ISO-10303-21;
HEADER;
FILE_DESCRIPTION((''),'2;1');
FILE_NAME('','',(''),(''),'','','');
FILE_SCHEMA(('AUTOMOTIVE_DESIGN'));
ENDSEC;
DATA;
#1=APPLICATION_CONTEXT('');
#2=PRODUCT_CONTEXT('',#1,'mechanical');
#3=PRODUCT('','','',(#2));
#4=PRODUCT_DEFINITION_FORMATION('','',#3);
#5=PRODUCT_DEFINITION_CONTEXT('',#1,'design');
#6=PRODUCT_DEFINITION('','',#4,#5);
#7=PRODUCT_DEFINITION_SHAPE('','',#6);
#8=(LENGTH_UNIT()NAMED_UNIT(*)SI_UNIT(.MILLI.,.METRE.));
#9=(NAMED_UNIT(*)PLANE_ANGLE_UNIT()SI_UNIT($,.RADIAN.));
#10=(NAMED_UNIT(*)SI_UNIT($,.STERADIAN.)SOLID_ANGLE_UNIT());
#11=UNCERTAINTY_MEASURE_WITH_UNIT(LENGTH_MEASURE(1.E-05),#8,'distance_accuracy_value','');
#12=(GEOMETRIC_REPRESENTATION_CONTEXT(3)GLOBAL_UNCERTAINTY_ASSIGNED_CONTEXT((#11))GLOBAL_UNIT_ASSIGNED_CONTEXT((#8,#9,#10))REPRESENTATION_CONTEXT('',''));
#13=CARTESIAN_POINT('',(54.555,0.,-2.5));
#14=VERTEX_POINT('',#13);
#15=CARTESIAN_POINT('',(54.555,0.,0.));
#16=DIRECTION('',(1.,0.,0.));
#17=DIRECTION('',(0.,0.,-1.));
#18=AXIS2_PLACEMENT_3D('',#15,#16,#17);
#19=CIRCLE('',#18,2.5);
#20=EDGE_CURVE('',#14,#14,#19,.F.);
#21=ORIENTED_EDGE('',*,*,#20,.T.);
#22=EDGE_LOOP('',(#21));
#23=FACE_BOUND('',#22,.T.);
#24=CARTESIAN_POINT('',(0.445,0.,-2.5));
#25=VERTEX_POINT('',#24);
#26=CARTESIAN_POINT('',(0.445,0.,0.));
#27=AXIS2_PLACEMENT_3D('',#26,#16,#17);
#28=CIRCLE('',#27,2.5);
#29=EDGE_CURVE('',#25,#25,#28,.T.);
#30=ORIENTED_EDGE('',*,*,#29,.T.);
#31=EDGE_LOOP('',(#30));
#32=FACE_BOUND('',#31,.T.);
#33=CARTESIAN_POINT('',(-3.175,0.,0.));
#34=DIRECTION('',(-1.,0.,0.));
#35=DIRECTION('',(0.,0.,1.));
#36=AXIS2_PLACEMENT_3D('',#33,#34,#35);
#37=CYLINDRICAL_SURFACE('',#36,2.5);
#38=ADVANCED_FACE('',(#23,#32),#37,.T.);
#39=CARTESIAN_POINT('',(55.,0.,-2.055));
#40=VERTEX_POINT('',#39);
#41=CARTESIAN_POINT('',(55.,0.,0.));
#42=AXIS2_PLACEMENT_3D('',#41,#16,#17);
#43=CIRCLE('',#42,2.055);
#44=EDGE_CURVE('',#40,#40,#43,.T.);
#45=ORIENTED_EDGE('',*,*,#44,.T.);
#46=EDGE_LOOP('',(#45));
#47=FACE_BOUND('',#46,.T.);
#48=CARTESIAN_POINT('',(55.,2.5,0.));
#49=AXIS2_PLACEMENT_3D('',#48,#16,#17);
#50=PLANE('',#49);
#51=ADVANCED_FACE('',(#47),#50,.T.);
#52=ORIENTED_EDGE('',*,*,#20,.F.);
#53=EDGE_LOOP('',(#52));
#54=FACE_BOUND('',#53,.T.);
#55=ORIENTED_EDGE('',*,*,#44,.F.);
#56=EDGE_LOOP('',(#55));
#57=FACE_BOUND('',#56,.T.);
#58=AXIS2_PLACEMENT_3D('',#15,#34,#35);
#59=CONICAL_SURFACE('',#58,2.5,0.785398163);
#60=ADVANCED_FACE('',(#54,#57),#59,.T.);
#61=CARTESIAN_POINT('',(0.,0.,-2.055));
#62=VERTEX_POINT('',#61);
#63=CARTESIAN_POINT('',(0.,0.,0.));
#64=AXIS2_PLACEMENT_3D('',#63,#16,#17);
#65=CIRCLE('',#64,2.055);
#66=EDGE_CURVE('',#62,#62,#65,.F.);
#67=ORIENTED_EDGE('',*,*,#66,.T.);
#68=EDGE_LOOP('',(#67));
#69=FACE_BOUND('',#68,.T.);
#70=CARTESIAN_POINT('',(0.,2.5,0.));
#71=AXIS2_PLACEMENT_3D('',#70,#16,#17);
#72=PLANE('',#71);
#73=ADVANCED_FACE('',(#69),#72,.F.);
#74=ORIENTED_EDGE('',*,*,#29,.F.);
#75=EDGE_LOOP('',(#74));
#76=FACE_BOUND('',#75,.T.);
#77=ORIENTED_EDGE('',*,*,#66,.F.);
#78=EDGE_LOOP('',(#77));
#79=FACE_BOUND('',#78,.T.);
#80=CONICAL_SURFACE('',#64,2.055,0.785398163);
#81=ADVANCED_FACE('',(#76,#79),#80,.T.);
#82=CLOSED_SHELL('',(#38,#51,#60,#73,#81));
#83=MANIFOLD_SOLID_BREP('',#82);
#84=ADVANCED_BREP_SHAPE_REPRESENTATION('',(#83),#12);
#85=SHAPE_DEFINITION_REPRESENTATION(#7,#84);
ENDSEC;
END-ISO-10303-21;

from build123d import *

# Parameters (mm, degrees)
BODYSKE_W     = 55
BODYSKE_H     = 2.5
CHAMFER1_SIZE = 0.445


with BuildPart() as part:
    # BodySke → BaseBody (revolve)
    with BuildSketch(Plane.XY):
        with Locations((27.5, 1.25)):
            Rectangle(BODYSKE_W, BODYSKE_H)
    revolve(axis=Axis((-3.175, 0, 0), (1, 0, 0)))

    # Chamfer1
    chamfer1_edges = [part.edges().sort_by_distance(p)[0] for p in [
        (0, -2.5, 0),
        (55, -2.5, 0),
    ]]
    chamfer(chamfer1_edges, length=CHAMFER1_SIZE)


solid = part.part
